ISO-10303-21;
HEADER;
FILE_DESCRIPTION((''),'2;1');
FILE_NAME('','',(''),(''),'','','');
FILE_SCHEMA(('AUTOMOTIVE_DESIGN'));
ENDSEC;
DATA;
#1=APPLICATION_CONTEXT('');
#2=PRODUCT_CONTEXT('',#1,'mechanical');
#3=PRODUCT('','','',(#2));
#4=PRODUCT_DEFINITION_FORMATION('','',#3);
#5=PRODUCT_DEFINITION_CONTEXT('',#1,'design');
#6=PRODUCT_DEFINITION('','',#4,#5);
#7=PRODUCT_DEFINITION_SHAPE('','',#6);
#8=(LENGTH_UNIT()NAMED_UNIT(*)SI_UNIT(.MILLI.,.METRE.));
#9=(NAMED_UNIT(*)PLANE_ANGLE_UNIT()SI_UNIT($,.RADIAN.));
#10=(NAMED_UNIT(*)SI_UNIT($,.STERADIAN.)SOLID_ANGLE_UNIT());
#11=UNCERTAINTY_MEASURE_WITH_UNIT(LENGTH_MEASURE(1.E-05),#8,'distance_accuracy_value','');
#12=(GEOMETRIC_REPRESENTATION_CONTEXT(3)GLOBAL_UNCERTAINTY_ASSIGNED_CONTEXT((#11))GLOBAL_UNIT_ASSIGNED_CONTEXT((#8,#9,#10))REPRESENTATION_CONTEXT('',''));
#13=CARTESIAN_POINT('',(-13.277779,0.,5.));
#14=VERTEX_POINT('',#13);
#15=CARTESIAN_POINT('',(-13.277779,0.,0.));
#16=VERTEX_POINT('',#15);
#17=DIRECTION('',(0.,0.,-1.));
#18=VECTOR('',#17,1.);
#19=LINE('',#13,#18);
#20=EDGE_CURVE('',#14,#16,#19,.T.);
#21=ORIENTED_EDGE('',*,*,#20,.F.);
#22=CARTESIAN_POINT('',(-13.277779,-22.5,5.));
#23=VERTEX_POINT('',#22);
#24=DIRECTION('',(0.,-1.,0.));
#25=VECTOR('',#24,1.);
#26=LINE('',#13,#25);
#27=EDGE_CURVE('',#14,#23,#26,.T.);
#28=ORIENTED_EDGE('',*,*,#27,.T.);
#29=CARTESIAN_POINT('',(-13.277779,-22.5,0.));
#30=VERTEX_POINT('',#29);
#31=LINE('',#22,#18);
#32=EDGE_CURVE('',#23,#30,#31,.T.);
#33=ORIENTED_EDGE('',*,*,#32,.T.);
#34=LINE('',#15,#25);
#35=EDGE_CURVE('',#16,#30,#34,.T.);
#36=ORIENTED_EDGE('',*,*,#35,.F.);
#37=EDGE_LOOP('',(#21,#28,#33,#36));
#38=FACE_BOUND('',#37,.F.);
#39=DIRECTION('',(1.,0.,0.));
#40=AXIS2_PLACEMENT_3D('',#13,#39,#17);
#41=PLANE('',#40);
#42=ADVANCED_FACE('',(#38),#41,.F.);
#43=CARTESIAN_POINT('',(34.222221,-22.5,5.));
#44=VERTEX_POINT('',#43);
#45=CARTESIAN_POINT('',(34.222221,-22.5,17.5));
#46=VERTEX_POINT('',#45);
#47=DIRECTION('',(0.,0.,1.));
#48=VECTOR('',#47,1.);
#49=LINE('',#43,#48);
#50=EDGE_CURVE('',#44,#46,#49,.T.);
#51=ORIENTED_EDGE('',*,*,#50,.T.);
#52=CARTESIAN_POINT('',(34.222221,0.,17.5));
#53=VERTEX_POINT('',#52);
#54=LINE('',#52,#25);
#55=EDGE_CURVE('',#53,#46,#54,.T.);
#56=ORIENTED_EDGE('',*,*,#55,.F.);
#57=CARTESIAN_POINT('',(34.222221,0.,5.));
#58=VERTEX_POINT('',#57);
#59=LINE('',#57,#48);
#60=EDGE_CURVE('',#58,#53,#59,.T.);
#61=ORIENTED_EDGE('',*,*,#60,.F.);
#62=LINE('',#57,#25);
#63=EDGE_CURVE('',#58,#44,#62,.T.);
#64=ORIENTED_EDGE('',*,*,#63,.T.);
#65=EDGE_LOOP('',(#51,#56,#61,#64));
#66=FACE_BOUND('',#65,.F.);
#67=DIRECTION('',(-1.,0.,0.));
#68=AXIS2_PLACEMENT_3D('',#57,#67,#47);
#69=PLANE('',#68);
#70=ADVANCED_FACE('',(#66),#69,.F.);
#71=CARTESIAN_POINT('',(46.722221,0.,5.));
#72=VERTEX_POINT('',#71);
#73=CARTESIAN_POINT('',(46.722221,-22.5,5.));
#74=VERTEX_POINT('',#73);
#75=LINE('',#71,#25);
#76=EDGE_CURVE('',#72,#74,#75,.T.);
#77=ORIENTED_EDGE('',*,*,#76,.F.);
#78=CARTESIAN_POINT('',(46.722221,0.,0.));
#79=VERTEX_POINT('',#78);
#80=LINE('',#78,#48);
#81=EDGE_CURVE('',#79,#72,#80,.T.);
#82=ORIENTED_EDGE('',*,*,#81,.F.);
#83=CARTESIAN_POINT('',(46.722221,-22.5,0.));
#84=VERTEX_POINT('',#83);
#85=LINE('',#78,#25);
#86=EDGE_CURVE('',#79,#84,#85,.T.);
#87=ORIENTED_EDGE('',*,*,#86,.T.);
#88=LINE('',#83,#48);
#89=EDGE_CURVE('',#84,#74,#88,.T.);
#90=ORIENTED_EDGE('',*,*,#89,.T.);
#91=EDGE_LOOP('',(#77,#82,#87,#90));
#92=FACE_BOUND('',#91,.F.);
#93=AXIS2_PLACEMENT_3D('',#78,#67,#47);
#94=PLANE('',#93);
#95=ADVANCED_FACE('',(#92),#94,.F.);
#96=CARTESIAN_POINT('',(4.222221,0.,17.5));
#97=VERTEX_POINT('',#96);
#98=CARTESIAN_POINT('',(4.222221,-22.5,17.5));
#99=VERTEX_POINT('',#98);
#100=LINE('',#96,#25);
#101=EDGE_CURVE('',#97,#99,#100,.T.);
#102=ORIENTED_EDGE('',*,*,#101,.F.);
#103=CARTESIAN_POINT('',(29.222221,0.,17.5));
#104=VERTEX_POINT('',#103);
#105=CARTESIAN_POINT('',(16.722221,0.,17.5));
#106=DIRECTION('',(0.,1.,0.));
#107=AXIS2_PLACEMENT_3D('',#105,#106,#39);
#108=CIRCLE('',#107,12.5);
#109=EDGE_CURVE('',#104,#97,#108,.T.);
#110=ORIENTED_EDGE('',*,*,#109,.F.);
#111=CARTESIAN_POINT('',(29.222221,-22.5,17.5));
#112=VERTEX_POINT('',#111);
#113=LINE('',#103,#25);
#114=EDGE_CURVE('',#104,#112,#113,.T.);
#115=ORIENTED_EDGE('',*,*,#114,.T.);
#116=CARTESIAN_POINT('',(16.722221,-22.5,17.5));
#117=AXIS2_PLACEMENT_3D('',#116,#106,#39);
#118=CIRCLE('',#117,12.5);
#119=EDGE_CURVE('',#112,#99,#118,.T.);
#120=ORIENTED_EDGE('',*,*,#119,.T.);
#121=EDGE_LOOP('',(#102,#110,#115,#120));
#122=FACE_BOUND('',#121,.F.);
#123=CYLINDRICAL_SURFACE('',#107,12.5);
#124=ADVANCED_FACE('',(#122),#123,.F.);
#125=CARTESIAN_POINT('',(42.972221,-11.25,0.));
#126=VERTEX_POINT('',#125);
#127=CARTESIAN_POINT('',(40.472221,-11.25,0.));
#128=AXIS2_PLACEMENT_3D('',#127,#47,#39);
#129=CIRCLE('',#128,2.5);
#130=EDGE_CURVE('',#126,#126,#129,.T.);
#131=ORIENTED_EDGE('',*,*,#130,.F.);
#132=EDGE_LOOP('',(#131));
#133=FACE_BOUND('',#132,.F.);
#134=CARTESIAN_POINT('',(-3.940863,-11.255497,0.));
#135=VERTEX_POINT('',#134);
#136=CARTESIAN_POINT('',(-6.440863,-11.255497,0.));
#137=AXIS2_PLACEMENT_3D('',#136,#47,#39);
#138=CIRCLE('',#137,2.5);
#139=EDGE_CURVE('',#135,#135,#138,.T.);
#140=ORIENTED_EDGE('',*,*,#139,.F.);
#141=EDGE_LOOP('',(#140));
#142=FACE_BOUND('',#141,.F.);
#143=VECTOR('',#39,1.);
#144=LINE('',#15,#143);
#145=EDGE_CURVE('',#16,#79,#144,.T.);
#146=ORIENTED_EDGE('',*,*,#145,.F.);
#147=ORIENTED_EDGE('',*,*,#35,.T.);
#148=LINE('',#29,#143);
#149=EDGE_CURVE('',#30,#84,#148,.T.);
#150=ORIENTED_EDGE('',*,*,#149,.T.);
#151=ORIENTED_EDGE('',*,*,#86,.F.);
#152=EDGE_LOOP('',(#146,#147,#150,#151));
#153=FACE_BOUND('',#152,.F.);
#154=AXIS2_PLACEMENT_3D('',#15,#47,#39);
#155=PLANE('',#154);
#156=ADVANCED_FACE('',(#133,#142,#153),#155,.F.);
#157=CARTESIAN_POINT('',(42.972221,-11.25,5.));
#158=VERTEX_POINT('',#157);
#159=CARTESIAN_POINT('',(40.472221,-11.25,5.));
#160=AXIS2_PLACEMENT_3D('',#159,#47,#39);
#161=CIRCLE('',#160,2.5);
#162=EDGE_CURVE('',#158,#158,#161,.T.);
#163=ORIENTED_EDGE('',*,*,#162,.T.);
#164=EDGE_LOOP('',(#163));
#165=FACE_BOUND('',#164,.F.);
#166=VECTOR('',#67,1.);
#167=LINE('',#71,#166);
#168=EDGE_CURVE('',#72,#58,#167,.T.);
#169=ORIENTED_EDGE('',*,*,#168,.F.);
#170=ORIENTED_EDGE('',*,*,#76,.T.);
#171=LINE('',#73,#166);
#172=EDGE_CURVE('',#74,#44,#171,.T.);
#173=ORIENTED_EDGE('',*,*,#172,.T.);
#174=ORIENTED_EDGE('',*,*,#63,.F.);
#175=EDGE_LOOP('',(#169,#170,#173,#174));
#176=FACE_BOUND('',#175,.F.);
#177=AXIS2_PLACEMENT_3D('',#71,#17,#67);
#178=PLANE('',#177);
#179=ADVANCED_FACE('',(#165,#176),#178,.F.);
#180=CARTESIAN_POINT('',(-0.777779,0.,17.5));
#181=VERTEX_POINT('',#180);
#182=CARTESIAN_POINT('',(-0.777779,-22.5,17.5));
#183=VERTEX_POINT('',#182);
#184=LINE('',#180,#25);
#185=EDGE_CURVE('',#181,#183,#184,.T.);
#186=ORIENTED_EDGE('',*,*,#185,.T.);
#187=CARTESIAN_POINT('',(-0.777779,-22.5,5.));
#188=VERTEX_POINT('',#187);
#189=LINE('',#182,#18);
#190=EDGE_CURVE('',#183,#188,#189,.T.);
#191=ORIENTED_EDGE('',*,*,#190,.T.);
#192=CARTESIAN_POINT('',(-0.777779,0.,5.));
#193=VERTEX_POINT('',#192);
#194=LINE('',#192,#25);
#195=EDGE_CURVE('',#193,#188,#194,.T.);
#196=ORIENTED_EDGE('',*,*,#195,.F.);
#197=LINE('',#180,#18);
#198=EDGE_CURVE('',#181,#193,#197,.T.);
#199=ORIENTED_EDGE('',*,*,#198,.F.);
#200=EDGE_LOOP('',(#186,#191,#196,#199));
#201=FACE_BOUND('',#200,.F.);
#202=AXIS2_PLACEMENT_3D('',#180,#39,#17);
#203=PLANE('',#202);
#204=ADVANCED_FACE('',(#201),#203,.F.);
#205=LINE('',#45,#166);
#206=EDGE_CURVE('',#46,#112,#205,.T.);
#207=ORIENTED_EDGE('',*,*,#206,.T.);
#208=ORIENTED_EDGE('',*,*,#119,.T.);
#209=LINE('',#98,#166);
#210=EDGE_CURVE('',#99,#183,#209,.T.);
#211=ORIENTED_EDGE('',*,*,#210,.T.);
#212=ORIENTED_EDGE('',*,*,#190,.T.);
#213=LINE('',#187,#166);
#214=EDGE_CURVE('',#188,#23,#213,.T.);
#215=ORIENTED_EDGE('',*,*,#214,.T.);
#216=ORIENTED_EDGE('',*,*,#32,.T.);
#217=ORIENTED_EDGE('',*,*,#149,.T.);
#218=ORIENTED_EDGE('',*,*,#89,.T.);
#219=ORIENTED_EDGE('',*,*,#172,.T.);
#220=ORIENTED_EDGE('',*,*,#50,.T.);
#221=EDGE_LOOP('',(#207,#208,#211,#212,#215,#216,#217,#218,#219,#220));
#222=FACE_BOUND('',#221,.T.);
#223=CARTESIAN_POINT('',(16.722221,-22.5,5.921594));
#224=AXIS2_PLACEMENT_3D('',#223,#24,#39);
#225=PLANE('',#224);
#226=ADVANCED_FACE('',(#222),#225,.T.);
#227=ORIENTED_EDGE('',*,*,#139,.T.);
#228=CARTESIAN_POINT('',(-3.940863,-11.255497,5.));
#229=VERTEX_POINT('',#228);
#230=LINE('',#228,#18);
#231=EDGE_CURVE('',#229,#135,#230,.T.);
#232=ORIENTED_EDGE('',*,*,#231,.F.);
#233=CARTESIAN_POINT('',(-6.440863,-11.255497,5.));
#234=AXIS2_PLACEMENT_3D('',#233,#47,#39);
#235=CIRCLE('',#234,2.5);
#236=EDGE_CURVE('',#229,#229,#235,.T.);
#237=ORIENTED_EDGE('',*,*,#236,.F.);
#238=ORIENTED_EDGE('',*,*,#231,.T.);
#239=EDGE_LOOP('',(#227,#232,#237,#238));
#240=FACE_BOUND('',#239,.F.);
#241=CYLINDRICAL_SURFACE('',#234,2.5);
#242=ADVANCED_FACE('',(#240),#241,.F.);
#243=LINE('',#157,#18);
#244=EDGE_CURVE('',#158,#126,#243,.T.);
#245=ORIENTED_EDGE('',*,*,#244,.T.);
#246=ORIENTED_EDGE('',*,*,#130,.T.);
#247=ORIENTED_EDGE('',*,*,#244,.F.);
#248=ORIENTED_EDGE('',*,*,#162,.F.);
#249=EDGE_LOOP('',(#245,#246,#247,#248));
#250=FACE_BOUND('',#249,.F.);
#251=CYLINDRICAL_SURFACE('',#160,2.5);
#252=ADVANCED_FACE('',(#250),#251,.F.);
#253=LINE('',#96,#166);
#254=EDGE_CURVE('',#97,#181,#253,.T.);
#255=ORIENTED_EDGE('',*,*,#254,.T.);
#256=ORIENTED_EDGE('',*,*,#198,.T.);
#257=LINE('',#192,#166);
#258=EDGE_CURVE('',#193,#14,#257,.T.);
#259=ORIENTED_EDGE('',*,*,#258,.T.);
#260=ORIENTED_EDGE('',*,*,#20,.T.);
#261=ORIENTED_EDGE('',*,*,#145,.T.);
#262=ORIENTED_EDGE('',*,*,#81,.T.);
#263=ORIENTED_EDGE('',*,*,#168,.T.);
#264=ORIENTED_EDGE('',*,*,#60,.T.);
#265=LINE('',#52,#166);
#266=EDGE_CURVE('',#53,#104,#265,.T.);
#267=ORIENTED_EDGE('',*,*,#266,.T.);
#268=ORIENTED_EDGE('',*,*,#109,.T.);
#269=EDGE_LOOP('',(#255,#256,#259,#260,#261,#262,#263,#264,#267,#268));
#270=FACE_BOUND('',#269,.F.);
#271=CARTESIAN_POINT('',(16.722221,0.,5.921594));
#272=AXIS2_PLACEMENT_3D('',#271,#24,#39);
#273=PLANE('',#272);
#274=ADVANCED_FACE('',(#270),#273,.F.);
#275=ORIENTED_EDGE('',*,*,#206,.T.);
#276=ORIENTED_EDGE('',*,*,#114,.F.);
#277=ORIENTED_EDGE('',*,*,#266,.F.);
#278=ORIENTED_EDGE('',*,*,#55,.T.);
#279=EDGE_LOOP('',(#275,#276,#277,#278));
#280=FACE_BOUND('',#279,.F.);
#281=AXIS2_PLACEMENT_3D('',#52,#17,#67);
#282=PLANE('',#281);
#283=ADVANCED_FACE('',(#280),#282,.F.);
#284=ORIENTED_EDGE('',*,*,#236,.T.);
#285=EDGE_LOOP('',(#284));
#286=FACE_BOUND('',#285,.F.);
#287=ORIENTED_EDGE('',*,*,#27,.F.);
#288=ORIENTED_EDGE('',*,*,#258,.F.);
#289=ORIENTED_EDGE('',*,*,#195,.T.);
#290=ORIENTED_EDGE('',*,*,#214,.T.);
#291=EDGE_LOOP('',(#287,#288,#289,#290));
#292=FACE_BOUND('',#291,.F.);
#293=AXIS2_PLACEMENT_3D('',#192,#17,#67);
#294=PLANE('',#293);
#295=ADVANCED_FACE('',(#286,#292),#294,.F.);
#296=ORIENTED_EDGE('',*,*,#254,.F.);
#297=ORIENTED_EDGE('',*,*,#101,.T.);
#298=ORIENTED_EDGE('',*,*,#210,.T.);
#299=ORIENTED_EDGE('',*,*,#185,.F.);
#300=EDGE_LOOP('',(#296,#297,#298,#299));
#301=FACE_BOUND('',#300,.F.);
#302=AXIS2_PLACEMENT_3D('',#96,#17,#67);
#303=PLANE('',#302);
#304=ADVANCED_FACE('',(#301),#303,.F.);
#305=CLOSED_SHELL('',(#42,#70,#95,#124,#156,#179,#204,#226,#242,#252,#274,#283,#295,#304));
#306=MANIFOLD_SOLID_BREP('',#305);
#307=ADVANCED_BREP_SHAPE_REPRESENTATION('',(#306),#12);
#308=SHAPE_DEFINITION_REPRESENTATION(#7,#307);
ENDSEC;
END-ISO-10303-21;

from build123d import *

# Parameters (mm, degrees)
F1_DEPTH = 22.5
F2_R     = 2.5
F3_DEPTH = 5.001
F4_DEPTH = 5.001


with BuildPart() as f1:
    # F0 (on Front) → F1 (new body)
    with BuildSketch(Plane.XZ):
        with BuildLine():
            Line((-13.277779, 5), (-13.277779, 0))
            Line((-13.277779, 0), (46.722221, 0))
            Line((46.722221, 0), (46.722221, 5))
            Line((46.722221, 5), (34.222221, 5))
            Line((34.222221, 5), (34.222221, 17.5))
            Line((34.222221, 17.5), (29.222221, 17.5))
            ThreePointArc((29.222221, 17.5), (16.722221, 5), (4.222221, 17.5))
            Line((4.222221, 17.5), (-0.777779, 17.5))
            Line((-0.777779, 17.5), (-0.777779, 5))
            Line((-0.777779, 5), (-13.277779, 5))
        make_face()
    extrude(amount=F1_DEPTH)

    # F2 (on face) → F3 (cut, through all)
    with BuildSketch(Plane.XY.offset(5)):
        with Locations((40.472221, -11.25)):
            Circle(F2_R)
    extrude(amount=-F3_DEPTH, mode=Mode.SUBTRACT)

    # F2 (on face) → F4 (cut, through all)
    with BuildSketch(Plane.XY.offset(5)):
        with Locations((-6.440863, -11.255497)):
            Circle(F2_R)
    extrude(amount=-F4_DEPTH, mode=Mode.SUBTRACT)


solid = f1.part
